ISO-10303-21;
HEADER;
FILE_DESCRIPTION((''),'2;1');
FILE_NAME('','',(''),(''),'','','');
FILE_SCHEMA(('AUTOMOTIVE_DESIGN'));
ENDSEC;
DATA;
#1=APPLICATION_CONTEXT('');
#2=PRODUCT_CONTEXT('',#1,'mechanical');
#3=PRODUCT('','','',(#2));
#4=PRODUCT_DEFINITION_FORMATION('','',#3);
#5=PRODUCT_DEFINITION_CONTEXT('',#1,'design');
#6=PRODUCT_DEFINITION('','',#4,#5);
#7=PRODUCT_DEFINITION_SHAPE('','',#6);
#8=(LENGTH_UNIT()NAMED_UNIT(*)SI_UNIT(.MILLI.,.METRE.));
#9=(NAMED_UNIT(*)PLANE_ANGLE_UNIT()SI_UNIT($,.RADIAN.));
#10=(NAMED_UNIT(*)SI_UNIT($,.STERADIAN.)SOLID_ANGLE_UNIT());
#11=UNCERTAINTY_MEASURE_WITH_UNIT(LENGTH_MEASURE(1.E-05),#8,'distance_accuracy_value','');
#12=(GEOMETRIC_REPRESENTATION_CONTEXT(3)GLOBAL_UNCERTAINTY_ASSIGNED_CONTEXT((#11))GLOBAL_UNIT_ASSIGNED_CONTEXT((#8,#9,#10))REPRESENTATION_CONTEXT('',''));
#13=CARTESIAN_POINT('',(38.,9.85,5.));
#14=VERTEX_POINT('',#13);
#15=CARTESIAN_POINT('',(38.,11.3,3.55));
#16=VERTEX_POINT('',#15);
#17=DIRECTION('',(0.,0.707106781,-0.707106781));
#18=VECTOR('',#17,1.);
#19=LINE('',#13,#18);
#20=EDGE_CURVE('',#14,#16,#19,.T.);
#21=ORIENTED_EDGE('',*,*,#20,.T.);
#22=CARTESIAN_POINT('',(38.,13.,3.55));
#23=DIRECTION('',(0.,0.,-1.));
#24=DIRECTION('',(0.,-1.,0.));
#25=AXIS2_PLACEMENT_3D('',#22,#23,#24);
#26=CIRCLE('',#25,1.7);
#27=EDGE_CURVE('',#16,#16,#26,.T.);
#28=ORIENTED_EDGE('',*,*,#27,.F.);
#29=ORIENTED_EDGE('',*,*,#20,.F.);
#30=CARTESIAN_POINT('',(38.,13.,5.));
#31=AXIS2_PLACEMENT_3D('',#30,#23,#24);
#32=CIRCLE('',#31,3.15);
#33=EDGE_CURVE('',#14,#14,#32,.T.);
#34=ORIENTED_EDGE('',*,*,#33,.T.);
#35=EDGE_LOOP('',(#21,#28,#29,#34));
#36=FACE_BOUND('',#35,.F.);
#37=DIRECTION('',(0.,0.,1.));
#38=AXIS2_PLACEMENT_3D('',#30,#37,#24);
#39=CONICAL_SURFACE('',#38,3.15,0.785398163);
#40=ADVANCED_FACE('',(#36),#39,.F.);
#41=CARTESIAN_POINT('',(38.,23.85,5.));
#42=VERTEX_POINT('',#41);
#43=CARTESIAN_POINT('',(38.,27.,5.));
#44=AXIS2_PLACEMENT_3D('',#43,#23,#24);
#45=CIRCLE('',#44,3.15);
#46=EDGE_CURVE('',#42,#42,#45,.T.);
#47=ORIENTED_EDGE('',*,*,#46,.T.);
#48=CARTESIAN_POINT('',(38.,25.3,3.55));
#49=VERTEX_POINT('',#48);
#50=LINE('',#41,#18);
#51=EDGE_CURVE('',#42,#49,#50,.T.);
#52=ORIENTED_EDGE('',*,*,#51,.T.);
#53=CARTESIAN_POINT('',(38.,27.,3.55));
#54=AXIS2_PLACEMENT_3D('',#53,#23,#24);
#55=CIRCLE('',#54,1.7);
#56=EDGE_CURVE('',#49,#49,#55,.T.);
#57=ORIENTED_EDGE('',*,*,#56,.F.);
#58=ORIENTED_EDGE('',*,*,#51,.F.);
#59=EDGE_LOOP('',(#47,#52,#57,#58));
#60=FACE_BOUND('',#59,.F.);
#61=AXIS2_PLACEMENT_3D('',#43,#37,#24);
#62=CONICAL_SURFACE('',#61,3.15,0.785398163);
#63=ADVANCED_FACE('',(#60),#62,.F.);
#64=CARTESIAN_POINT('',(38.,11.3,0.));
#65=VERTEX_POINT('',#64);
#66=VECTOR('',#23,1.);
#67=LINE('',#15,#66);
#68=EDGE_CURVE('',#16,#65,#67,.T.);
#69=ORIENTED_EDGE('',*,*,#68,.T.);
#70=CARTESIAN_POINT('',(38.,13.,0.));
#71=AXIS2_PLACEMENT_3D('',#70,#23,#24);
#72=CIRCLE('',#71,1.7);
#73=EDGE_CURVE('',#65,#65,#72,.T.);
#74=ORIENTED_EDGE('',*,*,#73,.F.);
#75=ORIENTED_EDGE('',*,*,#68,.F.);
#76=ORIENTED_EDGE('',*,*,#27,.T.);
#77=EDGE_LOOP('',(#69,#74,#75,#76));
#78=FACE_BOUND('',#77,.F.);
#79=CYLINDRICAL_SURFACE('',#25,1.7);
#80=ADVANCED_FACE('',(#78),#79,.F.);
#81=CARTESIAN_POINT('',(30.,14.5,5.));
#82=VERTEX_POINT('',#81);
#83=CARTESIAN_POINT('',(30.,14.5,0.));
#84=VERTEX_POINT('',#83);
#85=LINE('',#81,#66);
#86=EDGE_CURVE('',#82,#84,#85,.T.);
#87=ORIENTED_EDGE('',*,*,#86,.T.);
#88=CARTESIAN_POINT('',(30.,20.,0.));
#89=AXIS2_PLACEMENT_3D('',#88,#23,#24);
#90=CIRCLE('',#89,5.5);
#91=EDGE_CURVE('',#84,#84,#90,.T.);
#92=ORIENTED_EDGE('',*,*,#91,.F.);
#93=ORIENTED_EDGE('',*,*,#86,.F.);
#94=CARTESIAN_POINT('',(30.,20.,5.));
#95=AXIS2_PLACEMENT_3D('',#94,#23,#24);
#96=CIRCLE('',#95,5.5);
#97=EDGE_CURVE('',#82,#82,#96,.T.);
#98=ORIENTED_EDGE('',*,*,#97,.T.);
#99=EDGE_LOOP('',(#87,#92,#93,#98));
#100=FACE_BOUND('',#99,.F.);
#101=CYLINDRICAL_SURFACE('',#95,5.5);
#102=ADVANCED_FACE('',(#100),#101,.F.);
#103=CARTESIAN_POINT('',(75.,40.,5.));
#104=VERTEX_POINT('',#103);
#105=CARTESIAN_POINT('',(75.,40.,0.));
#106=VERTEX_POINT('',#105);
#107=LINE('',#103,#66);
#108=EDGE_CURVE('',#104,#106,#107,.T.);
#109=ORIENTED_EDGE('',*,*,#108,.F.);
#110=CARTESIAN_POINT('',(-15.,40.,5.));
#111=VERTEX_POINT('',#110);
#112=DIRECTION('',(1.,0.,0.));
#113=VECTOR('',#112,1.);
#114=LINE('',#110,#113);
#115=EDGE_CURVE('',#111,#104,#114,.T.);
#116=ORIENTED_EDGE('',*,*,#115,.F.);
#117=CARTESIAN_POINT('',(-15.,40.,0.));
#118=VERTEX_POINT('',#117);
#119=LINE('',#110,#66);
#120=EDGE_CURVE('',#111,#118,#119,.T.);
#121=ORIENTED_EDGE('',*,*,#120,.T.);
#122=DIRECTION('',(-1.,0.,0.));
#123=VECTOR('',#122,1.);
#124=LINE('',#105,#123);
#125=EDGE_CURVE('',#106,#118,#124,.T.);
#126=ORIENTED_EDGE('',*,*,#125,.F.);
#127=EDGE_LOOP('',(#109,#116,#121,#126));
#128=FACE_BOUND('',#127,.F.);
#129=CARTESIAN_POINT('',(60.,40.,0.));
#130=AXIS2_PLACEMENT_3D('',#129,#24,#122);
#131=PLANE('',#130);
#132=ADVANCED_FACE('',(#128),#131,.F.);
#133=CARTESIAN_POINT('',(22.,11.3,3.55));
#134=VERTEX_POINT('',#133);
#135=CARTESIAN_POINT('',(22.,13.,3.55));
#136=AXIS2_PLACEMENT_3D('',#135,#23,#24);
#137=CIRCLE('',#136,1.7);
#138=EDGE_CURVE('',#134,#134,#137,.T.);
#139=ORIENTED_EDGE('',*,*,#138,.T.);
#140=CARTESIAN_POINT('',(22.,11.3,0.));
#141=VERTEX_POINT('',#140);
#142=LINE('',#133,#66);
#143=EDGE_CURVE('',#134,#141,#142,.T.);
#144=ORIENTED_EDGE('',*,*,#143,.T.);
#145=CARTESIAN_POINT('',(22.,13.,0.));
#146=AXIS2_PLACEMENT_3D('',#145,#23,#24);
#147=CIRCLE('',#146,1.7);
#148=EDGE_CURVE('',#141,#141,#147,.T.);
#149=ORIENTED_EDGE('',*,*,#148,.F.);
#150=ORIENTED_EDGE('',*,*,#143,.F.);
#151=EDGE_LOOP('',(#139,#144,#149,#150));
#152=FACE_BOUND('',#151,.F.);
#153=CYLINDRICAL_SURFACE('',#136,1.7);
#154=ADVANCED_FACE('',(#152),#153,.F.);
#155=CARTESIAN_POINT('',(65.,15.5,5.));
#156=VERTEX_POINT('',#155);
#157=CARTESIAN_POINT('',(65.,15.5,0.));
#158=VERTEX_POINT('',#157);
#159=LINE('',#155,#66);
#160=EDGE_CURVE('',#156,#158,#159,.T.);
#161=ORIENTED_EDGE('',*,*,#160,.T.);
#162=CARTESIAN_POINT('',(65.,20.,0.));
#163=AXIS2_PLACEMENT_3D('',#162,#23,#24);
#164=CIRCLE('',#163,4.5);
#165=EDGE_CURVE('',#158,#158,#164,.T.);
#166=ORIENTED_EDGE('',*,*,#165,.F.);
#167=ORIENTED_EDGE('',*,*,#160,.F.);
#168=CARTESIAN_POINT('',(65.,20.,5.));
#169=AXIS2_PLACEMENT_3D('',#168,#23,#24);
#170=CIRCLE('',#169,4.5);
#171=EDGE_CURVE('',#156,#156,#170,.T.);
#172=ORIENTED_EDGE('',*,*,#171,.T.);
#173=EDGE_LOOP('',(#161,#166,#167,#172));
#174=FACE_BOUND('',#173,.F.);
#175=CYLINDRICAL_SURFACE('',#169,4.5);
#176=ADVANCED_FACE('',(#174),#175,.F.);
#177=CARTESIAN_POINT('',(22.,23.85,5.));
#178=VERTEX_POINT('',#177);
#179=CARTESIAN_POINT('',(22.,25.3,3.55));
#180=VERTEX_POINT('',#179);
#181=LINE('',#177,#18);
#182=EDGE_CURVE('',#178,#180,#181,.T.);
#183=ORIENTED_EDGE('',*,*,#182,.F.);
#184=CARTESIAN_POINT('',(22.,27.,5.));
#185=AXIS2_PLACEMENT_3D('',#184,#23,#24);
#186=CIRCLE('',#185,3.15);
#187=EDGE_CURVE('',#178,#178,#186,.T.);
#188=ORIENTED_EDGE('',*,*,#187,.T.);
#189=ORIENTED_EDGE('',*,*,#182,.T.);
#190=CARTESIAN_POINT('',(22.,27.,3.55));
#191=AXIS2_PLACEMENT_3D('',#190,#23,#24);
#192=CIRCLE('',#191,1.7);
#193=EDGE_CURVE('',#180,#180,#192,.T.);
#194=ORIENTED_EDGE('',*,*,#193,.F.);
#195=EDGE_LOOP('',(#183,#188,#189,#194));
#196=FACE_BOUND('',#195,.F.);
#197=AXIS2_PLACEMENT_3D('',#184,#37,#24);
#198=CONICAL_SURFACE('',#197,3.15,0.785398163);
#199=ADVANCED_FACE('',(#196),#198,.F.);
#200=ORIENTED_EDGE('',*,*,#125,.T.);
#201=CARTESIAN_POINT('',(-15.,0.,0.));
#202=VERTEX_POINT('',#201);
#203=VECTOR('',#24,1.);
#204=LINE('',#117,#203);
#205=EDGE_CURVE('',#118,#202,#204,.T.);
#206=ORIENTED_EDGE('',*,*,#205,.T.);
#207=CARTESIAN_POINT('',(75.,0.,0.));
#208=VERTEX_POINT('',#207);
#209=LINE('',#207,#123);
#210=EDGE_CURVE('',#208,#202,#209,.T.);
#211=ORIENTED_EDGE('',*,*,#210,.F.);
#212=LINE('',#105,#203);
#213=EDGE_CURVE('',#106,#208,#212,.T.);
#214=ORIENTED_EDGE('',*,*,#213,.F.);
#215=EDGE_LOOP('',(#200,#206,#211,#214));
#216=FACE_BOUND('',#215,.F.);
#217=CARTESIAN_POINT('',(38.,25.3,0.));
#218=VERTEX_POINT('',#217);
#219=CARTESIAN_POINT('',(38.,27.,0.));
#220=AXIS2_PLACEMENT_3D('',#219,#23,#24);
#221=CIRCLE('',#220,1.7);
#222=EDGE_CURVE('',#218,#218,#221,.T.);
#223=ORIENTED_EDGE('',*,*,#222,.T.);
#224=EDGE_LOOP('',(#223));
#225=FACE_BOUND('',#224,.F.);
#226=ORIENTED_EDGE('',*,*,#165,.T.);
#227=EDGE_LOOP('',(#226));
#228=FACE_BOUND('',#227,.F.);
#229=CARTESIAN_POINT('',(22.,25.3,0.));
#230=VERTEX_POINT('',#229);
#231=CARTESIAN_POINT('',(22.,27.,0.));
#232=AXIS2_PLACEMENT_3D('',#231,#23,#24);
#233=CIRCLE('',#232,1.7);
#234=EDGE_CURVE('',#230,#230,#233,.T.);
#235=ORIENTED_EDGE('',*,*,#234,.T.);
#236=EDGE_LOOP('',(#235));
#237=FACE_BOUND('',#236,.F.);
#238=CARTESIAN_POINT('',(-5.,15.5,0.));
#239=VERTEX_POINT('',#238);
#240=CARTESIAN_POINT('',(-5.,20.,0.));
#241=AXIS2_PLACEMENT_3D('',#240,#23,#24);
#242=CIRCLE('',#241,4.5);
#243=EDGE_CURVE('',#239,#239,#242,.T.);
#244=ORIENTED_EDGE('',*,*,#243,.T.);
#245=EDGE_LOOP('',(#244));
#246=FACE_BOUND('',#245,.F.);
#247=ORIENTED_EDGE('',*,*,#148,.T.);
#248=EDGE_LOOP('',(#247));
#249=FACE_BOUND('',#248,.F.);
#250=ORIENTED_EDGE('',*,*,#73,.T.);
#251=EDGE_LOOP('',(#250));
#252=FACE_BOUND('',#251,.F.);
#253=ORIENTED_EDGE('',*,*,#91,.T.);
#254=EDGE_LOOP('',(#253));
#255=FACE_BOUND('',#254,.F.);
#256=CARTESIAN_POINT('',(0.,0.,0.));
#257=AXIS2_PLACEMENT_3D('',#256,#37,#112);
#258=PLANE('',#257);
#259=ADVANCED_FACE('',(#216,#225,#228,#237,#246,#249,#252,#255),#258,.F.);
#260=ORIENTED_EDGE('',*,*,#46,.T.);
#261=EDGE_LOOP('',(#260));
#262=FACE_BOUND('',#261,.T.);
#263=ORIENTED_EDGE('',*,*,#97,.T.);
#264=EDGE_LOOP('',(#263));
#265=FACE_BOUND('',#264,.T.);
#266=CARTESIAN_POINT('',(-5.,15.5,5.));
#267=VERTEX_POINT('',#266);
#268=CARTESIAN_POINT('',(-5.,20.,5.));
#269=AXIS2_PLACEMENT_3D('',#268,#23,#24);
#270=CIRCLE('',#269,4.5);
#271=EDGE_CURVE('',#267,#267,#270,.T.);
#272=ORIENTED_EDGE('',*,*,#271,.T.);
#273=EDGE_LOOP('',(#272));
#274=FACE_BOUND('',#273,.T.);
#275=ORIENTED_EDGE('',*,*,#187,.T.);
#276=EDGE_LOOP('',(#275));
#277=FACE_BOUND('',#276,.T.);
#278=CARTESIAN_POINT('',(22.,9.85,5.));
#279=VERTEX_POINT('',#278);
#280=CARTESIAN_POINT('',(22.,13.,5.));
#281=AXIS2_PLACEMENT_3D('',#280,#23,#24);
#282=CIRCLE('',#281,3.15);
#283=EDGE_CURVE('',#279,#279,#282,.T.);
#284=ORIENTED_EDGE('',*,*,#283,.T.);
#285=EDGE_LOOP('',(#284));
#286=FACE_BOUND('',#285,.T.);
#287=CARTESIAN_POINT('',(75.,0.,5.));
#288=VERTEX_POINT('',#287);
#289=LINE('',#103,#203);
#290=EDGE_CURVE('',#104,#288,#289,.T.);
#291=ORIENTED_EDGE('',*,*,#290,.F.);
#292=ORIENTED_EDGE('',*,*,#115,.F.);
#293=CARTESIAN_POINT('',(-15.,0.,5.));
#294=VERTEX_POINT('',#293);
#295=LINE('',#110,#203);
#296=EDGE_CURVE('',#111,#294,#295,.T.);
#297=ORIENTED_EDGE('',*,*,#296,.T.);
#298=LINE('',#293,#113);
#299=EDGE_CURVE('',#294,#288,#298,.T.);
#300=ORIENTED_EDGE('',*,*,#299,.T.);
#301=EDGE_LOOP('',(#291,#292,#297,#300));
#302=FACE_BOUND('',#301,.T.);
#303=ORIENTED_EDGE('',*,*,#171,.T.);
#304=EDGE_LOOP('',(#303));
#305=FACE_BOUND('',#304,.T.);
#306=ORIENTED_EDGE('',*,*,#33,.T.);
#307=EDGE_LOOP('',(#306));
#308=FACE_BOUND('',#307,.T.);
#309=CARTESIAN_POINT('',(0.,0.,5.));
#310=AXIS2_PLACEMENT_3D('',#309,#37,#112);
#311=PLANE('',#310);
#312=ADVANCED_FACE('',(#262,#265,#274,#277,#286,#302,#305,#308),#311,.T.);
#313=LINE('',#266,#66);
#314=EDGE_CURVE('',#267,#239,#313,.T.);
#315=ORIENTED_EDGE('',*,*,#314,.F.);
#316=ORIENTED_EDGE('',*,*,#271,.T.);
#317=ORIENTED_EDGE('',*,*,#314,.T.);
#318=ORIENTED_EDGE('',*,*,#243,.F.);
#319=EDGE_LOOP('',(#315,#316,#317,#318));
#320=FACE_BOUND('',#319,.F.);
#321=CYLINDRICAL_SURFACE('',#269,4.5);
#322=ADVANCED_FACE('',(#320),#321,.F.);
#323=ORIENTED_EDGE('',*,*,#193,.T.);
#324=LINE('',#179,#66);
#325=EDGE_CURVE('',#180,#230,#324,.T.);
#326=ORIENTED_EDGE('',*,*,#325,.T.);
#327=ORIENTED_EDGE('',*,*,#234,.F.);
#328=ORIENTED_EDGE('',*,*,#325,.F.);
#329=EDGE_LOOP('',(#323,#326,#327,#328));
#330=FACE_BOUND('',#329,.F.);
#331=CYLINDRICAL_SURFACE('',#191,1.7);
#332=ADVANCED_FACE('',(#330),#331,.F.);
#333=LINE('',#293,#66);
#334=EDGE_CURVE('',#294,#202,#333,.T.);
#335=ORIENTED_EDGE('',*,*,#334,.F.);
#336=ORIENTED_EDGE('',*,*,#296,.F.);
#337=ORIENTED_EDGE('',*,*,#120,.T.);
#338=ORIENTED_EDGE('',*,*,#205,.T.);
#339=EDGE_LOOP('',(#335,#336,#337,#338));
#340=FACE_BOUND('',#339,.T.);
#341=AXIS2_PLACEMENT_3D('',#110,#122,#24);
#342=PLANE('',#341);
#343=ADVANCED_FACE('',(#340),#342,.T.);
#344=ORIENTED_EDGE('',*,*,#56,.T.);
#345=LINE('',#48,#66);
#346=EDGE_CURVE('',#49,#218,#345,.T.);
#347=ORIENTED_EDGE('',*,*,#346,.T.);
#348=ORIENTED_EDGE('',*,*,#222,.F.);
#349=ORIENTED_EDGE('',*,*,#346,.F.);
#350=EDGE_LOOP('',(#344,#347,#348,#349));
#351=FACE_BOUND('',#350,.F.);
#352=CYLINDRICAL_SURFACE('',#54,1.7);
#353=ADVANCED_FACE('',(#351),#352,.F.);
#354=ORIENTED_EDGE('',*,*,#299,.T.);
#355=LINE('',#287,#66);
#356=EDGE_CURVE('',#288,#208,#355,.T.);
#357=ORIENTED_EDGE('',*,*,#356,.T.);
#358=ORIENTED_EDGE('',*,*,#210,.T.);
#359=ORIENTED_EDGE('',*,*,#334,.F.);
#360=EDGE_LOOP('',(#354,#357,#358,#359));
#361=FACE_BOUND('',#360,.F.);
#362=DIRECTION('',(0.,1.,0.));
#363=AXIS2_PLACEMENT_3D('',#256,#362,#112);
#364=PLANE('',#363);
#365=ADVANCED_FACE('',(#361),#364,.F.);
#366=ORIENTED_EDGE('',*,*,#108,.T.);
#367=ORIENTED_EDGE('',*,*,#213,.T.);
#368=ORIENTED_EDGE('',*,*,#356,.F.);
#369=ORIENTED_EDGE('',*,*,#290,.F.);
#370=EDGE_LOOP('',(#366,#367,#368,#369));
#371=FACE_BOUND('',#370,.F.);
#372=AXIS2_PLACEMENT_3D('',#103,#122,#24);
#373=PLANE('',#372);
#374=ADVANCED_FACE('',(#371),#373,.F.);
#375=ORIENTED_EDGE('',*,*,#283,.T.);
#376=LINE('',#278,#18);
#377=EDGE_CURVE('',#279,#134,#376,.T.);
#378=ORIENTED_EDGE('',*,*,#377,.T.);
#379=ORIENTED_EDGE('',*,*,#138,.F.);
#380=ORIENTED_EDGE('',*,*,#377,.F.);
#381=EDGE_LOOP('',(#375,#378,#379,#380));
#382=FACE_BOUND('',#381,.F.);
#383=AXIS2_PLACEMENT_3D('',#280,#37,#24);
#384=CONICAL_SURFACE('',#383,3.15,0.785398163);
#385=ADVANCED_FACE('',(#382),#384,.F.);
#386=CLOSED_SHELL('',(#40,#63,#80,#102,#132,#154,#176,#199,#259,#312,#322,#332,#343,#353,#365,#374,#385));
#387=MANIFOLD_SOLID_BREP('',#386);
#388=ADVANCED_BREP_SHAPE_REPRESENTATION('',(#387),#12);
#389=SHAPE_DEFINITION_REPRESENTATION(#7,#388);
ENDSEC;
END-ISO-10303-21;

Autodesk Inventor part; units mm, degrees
ref_plane "YZ Plane" through (0, 0, 0) normal (1, 0, 0) x (0, 1, 0)
ref_plane "XZ Plane" through (0, 0, 0) normal (0, 1, 0) x (-1, 0, 0)
ref_plane "XY Plane" through (0, 0, 0) normal (0, 0, 1) x (1, 0, 0)
sketch "Sketch1" plane through (0, 0, 0) normal (0, 0, 1) x (1, 0, 0)
  line L0 (0, 0) -> (60, 0)
  line L1 (60, 0) -> (60, 40)
  line L2 (60, 40) -> (0, 40)
  line L3 (0, 40) -> (0, 0)
  dimension "d0" = 60
  dimension "d1" = 40
extrude "Extrusion1" add sketch "Sketch1" along normal blind 5
sketch "Sketch6" plane through (0, 0, 5) normal (0, 0, 1) x (1, 0, 0)
  point P0 (0, 0)
  point P1 (30, 20)
hole "Hole2" at (30, 20, 5) direction (0, 0, -1) diameter 11 end through all clearance for "Countersunk Flat Head Screw ISO 2009/7046" size "M10" standard "ISO"
sketch "Sketch7" plane through (0, 0, 5) normal (0, 0, 1) x (1, 0, 0)
  line L0 (0, 40) -> (0, 0) projected
  line L1 (60, 0) -> (60, 40) projected
  line L2 (60, 0) -> (0, 0)
  line L3 (60, 40) -> (0, 40) projected
  line L4 (30, 40) -> (30, 0)
  line L5 (0, 0) -> (60, 0) projected
  line L6 (0, 40) -> (0, 0) projected
  line L7 (0, 40) -> (-15, 40)
  line L8 (-15, 40) -> (-15, 0)
  line L9 (-15, 0) -> (0, 0)
  line L10 (0, 0) -> (0, 40)
  line L11 (60, 40) -> (60, 0)
  line L12 (60, 40) -> (60, 0)
  line L13 (60, 40) -> (75, 40)
  line L14 (75, 40) -> (75, 0)
  line L15 (75, 0) -> (60, 0)
  line L16 (0, 40) -> (-15, 40)
  point P0 (60, 0)
  point P1 (0, 0)
  dimension "d54" = 15
  dimension "d55" = 40
extrude "Extrusion3" add sketch "Sketch7" against normal blind 5 contours L0 L9 L8 L7 | L13 L14 L15 L1
sketch "Sketch9" plane through (0, 0, 5) normal (0, 0, 1) x (1, 0, 0)
  point P0 (0, 0)
  point P1 (-5, 20)
  point P2 (65, 20)
hole "Hole4" at (-5, 20, 5) at (65, 20, 5) direction (0, 0, -1) diameter 9 end through all clearance for "Countersunk Flat Head Screw ISO 2009/7046" size "M8" standard "ISO"
sketch "Sketch10" plane through (0, 0, 5) normal (0, 0, 1) x (1, 0, 0)
  line L0 (35.5, 14.5) -> (35.5, 25.5)
  line L1 (35.5, 14.5) -> (35.5, 25.5)
  line L2 (24.5, 25.5) -> (24.5, 14.5)
  line L3 (24.5, 25.5) -> (24.5, 14.5)
  line L4 (24.5, 14.5) -> (35.5, 25.5) construction
  line L5 (35.5, 14.5) -> (24.5, 25.5) construction
  circle A0 centre (30, 20) radius 5.5 projected
  line L6 (24.5, 30) -> (24.5, 10)
  line L7 (24.5, 10) -> (19.5, 10)
  line L8 (19.5, 10) -> (19.5, 30)
  line L9 (19.5, 30) -> (24.5, 30)
  line L10 (24.5, 20) -> (35.5, 20)
  line L11 (35.5, 30) -> (35.5, 10)
  line L12 (35.5, 10) -> (40.5, 10)
  line L13 (40.5, 10) -> (40.5, 30)
  line L14 (40.5, 30) -> (35.5, 30)
  point P0 (0, 0)
  point P1 (30, 25.5)
  point P2 (22, 13)
  point P3 (22, 27)
  point P4 (38, 13)
  point P5 (38, 27)
  dimension "d45" = 20
  dimension "d46" = 5
hole "Hole5" at (22, 13, 5) at (22, 27, 5) at (38, 13, 5) at (38, 27, 5) direction (0, 0, -1) diameter 3.4 end through all countersink diameter 6.3 countersink angle 90 clearance for "Countersunk Flat Head Screw ISO 2009/7046" size "M3" standard "ISO"
properties part number "Al block2"
